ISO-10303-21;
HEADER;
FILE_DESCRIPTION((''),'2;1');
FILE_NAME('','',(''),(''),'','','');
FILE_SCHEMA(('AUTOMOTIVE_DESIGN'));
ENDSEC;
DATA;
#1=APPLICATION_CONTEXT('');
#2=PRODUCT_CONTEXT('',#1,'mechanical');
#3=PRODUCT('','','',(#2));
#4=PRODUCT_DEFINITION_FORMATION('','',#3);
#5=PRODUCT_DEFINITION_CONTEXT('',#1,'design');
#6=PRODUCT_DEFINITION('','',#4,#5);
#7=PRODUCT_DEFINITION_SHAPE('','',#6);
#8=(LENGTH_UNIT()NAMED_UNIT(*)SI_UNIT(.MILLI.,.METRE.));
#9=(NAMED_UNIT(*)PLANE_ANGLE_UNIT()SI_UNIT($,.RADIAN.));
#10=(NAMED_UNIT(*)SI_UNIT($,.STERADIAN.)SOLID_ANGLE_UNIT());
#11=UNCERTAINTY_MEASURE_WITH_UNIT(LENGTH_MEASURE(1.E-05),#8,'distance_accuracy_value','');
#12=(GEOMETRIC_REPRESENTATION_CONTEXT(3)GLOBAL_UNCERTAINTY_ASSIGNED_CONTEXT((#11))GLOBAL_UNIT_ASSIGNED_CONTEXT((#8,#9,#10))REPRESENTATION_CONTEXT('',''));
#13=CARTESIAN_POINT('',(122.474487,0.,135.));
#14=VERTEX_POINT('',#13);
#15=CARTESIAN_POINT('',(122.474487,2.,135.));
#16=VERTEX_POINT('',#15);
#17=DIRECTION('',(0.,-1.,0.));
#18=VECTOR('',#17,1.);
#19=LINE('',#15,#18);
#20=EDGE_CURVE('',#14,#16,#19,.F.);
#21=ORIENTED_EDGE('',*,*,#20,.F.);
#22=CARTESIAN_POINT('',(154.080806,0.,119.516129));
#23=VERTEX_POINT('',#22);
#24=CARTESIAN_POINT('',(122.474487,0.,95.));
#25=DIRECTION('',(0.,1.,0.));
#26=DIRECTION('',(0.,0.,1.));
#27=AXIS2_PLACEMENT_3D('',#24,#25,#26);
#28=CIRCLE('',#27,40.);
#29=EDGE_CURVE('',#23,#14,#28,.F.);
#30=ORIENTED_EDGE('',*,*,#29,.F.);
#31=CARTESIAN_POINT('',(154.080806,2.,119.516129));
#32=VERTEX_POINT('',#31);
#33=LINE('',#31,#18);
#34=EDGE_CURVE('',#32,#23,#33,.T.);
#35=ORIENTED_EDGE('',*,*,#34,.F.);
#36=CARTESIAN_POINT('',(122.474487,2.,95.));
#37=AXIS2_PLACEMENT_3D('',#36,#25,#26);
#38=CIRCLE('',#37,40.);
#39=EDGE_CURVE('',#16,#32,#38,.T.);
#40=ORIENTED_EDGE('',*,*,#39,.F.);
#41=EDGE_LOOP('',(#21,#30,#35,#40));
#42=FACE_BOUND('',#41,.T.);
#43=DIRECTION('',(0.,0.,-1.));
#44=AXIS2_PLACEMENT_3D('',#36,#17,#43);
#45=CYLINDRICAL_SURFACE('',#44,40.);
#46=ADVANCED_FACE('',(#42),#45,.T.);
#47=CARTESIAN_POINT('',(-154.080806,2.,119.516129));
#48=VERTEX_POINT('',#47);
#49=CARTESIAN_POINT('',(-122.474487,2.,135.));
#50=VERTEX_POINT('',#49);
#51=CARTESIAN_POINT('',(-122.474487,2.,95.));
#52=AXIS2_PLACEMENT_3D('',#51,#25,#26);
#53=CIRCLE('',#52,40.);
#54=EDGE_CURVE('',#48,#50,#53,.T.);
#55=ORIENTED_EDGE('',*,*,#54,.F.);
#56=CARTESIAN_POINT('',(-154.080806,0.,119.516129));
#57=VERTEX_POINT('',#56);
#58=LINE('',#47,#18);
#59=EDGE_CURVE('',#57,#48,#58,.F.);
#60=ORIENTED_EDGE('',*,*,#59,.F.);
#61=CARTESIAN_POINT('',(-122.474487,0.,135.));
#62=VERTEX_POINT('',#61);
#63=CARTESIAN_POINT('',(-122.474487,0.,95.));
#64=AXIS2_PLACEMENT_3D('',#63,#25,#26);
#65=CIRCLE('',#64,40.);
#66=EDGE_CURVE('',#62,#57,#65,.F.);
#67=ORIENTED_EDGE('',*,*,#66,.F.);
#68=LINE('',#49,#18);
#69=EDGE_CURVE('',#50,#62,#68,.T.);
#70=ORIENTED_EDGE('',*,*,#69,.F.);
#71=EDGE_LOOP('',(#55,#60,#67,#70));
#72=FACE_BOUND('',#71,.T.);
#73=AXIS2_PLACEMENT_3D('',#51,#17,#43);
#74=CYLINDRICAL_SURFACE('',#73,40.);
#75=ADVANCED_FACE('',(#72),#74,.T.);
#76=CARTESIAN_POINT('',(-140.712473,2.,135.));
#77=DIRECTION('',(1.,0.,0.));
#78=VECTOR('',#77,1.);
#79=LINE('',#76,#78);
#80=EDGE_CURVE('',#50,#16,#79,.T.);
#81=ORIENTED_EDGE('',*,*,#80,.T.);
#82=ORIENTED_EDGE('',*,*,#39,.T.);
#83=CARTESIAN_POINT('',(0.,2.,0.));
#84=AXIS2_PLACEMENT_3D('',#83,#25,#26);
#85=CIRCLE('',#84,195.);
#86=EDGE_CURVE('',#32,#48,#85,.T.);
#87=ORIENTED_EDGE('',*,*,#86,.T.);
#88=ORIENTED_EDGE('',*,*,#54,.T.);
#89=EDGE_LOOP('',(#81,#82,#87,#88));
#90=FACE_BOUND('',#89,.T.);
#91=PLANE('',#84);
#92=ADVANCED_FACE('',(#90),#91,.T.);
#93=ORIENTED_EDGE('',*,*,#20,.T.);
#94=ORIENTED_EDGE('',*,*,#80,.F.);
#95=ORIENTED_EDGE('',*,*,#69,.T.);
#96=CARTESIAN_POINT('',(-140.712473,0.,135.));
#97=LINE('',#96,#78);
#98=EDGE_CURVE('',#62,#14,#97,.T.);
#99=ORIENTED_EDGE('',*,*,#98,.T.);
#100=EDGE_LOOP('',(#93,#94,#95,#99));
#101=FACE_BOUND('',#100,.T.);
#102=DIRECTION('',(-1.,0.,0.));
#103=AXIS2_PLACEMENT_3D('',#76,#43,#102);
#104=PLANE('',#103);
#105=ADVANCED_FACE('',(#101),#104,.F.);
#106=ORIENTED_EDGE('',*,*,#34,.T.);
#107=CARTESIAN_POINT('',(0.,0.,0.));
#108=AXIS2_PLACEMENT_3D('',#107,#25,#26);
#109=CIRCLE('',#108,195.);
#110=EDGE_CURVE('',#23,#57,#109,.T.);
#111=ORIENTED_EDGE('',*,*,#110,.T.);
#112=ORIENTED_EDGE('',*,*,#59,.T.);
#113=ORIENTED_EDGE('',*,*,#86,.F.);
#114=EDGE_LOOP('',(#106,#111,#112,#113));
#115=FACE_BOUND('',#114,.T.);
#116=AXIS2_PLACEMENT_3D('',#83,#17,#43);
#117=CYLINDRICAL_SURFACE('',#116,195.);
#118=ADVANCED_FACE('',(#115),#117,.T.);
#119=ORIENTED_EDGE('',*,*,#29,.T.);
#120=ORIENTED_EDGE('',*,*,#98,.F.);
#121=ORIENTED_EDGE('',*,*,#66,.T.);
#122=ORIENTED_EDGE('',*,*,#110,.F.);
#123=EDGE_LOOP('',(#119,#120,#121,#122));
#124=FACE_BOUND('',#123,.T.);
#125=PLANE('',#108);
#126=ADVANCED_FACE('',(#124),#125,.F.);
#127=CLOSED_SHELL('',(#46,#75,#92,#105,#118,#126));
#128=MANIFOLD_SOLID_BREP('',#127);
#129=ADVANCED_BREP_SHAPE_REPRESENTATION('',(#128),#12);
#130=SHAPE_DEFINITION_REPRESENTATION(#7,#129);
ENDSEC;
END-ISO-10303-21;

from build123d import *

# Parameters (mm, degrees)
BOSS_EXTRUDE1_DEPTH = 2
FILLET1_R           = 40


with BuildPart() as part:
    # Sketch1 → Boss-Extrude1 (new body)
    with BuildSketch(Plane(origin=(0, 0, 0), x_dir=(1, 0, 0), z_dir=(0, 1, 0))):
        with BuildLine():
            Line((-140.712472795, -135), (140.712472795, -135))
            ThreePointArc((140.712472795, -135), (0, 195), (-140.712472795, -135))
        make_face()
    extrude(amount=BOSS_EXTRUDE1_DEPTH)

    # Fillet1
    fillet1_edges = [part.edges().sort_by_distance(p)[0] for p in [
        (140.712472795, 1, 135),
        (-140.712472795, 1, 135),
    ]]
    fillet(fillet1_edges, radius=FILLET1_R)


solid = part.part
